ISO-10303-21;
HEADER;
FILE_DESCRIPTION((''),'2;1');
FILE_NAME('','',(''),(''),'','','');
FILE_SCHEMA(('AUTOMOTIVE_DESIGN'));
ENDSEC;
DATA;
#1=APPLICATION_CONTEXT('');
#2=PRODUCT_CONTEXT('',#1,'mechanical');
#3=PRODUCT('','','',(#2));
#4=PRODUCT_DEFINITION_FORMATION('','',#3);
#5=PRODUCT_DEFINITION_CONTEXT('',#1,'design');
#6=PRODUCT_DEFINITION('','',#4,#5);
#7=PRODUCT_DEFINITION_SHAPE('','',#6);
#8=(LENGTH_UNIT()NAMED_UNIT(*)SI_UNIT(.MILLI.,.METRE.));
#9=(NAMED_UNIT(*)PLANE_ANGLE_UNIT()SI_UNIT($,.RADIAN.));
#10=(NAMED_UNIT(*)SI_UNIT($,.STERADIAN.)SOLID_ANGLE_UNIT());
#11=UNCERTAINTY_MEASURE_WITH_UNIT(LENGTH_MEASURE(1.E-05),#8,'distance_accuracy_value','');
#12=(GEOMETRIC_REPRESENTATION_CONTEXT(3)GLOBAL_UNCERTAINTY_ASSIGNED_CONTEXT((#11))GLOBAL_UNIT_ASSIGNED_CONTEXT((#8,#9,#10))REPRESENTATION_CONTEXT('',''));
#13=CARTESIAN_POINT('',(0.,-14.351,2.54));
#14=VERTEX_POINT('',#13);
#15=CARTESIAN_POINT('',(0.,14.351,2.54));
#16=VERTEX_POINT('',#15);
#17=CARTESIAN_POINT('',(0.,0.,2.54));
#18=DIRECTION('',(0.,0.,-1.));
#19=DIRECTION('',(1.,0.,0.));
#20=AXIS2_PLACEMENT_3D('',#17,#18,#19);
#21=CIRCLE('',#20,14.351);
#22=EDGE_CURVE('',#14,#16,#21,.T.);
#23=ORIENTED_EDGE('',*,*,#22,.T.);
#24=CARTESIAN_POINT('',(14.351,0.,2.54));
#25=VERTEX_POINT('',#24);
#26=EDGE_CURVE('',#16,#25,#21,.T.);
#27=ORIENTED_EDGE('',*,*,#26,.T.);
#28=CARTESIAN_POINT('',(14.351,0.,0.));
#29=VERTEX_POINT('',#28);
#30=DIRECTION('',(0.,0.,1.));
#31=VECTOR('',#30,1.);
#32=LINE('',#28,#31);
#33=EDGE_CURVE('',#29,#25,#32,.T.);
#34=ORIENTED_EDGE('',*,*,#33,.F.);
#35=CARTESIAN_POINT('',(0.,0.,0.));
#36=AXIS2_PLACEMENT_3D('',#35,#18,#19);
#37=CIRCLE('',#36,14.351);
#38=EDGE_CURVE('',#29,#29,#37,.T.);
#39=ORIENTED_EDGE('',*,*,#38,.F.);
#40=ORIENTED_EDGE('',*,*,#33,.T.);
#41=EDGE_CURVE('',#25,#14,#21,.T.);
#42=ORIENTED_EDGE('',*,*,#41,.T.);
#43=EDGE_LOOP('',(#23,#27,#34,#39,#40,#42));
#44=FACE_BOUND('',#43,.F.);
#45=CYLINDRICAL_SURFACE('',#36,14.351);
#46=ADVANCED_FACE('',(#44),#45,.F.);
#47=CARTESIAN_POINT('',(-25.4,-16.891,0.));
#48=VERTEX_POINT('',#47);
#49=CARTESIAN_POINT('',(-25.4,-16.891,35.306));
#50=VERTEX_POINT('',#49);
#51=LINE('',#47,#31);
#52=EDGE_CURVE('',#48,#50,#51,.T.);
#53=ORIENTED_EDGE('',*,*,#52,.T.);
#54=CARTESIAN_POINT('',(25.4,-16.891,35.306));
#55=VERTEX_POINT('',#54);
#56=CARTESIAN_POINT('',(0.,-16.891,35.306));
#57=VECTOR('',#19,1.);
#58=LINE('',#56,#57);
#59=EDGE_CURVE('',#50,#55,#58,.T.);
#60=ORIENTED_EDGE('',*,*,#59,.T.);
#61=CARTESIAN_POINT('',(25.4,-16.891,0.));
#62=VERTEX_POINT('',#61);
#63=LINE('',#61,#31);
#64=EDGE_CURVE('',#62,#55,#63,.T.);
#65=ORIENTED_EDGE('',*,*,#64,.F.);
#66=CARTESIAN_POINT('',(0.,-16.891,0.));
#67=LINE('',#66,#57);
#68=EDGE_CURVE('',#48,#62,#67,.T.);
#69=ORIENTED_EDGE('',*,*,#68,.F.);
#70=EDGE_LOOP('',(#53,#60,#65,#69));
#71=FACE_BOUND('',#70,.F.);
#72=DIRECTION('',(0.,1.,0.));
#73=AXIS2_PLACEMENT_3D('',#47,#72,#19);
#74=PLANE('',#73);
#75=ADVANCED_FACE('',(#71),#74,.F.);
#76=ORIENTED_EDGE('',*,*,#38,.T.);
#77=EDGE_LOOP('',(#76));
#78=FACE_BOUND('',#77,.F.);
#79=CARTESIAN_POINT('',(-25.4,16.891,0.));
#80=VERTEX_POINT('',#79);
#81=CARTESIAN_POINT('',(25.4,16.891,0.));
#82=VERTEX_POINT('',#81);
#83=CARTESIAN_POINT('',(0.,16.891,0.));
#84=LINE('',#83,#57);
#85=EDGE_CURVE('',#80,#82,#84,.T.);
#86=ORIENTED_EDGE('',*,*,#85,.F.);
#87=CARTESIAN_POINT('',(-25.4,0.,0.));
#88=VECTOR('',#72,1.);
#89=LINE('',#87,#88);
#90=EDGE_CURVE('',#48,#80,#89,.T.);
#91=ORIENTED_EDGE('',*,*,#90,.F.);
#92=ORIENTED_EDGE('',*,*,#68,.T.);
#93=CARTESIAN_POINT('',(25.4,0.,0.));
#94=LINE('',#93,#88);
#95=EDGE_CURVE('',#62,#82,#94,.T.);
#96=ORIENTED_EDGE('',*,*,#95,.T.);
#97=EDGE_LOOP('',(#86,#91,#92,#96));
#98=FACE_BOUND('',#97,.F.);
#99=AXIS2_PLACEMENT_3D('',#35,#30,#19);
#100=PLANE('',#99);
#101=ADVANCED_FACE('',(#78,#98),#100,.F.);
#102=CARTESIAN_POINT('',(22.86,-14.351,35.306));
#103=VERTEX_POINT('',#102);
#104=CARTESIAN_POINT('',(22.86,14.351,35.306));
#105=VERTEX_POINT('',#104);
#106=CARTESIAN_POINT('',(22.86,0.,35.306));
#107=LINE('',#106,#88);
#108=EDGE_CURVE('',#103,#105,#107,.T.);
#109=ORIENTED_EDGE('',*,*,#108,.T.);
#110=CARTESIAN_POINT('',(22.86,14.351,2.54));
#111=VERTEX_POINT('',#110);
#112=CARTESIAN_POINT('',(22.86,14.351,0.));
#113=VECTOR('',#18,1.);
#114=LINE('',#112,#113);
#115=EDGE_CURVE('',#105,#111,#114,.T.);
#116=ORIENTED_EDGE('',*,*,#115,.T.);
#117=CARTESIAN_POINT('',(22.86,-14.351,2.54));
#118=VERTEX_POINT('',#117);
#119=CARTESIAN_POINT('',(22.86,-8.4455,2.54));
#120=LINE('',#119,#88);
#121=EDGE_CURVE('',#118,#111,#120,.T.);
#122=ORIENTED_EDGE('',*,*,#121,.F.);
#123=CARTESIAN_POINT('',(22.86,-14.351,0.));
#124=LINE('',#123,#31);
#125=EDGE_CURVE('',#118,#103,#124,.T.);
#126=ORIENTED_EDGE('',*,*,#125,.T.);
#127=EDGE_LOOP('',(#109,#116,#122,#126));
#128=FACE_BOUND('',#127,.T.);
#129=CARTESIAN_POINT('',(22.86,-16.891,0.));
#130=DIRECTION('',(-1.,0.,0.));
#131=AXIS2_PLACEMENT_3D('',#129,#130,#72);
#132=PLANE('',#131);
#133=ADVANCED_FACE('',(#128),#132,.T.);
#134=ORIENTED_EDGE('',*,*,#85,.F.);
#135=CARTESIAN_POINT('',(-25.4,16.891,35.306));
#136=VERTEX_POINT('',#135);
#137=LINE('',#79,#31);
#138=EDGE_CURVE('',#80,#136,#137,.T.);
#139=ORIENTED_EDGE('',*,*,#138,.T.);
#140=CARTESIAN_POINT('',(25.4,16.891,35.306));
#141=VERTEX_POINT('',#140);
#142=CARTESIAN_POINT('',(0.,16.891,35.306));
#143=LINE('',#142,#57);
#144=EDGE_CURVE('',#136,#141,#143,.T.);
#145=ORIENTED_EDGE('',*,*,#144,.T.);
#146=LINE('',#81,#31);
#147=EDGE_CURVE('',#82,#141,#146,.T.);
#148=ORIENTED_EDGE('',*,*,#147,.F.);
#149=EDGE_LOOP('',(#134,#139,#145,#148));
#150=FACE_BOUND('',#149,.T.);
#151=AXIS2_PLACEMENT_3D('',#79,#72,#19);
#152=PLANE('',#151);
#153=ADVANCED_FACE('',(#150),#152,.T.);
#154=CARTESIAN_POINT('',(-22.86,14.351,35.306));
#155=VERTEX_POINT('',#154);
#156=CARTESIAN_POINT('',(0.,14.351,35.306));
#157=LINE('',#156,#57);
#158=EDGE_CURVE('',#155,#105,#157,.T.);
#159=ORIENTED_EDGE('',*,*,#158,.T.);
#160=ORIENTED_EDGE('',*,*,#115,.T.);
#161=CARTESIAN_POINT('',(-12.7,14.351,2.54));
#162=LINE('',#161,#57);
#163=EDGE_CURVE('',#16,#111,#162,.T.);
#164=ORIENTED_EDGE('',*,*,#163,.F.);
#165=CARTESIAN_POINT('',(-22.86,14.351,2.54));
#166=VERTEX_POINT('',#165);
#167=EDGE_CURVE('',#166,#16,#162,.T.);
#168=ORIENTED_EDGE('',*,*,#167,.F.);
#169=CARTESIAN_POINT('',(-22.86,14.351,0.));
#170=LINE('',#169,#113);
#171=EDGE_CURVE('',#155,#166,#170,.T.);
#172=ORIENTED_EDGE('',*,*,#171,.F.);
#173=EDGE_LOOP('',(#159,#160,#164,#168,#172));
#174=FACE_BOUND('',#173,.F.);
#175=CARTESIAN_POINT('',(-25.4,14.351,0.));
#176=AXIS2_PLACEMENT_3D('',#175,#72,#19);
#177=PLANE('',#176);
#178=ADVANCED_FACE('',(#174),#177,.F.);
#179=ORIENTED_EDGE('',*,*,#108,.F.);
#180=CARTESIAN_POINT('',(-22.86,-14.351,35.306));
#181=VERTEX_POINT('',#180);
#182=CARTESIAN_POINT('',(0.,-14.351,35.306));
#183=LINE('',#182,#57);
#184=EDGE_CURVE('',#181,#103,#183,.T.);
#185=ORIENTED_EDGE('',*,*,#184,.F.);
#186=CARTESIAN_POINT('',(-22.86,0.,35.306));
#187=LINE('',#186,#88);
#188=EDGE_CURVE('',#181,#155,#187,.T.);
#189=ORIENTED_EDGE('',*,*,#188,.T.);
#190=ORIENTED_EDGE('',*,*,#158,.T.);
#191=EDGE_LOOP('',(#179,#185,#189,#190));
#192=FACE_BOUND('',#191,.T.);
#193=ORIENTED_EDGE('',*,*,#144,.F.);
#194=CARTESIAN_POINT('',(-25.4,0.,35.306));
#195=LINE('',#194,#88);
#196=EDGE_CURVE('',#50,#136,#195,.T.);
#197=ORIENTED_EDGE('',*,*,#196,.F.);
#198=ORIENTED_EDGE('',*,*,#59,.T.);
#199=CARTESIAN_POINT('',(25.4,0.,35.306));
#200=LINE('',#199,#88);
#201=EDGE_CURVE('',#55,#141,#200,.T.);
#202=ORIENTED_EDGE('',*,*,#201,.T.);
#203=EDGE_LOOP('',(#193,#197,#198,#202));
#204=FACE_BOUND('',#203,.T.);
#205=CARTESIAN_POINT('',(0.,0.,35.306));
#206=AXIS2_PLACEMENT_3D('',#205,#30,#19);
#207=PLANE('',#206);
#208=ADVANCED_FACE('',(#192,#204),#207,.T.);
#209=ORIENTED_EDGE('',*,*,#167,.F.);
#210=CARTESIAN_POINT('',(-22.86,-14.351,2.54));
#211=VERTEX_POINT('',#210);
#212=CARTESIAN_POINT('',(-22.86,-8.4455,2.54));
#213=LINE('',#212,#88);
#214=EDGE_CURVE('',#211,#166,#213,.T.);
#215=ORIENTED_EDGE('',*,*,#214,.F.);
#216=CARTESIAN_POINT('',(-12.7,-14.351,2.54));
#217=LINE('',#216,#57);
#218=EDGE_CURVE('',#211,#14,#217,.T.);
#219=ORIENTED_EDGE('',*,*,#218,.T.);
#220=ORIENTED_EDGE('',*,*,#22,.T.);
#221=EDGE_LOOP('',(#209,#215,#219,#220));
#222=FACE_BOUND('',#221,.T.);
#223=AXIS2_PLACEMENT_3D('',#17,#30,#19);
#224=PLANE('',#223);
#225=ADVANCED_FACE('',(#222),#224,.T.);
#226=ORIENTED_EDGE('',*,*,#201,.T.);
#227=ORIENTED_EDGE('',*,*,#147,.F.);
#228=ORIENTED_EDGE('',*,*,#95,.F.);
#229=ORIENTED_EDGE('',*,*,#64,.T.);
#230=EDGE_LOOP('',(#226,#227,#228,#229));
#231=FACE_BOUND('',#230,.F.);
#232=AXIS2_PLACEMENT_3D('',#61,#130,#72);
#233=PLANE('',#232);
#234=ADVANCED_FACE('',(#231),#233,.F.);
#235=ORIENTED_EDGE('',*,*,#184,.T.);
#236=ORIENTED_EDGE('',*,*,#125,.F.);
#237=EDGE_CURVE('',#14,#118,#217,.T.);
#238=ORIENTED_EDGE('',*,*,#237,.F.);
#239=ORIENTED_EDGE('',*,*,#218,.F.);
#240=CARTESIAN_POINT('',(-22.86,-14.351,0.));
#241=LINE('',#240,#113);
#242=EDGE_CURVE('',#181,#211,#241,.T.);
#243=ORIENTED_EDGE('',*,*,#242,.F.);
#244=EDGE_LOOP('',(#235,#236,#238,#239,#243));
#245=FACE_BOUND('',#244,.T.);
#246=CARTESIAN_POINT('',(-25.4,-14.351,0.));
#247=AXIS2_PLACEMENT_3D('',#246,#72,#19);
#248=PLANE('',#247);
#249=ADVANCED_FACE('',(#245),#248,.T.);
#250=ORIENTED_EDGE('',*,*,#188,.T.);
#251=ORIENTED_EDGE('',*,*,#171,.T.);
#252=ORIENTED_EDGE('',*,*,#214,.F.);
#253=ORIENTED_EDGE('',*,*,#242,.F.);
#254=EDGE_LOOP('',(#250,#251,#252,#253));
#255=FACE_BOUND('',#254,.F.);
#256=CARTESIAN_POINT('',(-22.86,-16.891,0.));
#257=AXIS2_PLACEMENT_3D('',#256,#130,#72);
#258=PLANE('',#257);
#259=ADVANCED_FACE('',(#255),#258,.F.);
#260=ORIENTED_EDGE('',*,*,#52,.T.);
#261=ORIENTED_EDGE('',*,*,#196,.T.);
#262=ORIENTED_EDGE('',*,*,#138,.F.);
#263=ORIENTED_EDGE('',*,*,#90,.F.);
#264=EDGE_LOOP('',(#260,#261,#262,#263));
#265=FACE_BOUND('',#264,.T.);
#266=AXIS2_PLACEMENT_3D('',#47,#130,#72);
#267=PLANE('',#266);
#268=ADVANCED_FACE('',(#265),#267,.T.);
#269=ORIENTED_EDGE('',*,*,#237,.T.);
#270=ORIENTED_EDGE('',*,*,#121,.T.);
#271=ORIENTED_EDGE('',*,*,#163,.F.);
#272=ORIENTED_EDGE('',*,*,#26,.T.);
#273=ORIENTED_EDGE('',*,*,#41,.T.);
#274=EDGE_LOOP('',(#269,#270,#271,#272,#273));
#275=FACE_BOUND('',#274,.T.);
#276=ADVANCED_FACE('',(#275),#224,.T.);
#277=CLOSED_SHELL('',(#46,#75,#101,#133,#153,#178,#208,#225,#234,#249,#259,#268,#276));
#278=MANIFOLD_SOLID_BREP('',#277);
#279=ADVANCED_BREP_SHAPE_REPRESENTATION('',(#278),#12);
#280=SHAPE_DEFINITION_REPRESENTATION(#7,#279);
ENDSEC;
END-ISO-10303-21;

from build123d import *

# Parameters (mm, degrees)
F0_W     = 50.8
F0_H     = 33.782
F1_DEPTH = 35.306
F2_T     = -2.54
F3_R     = 14.351
F4_DEPTH = 25.4


with BuildPart() as f1:
    # F0 (on Top) → F1 (new body)
    with BuildSketch(Plane.XY):
        Rectangle(F0_W, F0_H)
    extrude(amount=F1_DEPTH)

    # F2
    f2_openings = [f1.faces().sort_by_distance(p)[0] for p in [
        (0, 0, 35.306),
    ]]
    offset(amount=F2_T, openings=f2_openings)

    # F3 (on face) → F4 (cut)
    with BuildSketch(Plane(origin=(0, 0, 0), x_dir=(1, 0, 0), z_dir=(0, 0, -1))):
        Circle(F3_R)
    extrude(amount=-F4_DEPTH, mode=Mode.SUBTRACT)


solid = f1.part
